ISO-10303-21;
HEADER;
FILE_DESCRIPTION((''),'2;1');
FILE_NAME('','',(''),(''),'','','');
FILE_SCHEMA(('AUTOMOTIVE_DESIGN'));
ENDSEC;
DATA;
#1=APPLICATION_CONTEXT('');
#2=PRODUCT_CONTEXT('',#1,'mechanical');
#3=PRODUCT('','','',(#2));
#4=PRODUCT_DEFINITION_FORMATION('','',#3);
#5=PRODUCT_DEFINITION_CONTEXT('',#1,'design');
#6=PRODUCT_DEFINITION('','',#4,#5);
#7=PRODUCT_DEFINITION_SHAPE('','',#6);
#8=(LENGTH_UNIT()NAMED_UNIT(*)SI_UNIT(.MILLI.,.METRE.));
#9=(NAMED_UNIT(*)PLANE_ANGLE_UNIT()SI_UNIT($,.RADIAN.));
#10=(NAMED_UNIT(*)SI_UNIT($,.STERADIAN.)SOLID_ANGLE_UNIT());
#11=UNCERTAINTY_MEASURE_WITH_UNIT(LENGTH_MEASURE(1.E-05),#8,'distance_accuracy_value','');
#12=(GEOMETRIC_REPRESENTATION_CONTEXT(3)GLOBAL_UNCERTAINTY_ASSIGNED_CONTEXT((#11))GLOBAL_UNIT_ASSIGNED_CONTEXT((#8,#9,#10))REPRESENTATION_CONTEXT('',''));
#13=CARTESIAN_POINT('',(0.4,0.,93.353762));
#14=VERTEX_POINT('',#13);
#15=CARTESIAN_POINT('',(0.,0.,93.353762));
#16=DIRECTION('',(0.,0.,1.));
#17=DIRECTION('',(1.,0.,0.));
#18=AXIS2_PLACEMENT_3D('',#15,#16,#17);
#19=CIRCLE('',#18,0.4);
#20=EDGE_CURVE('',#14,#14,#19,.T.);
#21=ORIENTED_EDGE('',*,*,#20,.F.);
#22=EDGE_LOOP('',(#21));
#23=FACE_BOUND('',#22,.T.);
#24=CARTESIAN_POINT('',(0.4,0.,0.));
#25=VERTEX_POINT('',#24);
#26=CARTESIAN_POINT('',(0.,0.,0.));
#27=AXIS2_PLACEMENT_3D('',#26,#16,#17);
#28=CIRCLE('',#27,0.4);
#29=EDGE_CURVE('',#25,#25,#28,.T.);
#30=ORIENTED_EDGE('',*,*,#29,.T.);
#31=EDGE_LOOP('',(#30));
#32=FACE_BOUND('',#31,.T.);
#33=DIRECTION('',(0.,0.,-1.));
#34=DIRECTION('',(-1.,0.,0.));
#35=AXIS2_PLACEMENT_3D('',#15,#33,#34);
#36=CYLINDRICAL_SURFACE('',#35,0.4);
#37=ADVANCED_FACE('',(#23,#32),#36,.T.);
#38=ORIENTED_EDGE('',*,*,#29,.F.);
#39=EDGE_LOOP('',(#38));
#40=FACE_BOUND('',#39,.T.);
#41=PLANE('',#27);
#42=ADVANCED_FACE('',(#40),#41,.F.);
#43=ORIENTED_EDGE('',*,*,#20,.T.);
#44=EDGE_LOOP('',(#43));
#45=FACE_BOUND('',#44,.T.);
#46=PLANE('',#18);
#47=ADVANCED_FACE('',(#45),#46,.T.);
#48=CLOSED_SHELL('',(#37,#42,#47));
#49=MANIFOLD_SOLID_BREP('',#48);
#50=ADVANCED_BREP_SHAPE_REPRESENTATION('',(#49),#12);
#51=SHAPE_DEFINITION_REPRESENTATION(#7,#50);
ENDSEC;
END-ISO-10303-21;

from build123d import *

# Parameters (mm, degrees)
SKETCH_1_R = 0.4
D0P8_DEPTH = 93.353761984


with BuildPart() as part:
    # 草图1 → D0p8钢索直线跨度 (new body)
    with BuildSketch(Plane.XY):
        Circle(SKETCH_1_R)
    extrude(amount=D0P8_DEPTH)


solid = part.part
